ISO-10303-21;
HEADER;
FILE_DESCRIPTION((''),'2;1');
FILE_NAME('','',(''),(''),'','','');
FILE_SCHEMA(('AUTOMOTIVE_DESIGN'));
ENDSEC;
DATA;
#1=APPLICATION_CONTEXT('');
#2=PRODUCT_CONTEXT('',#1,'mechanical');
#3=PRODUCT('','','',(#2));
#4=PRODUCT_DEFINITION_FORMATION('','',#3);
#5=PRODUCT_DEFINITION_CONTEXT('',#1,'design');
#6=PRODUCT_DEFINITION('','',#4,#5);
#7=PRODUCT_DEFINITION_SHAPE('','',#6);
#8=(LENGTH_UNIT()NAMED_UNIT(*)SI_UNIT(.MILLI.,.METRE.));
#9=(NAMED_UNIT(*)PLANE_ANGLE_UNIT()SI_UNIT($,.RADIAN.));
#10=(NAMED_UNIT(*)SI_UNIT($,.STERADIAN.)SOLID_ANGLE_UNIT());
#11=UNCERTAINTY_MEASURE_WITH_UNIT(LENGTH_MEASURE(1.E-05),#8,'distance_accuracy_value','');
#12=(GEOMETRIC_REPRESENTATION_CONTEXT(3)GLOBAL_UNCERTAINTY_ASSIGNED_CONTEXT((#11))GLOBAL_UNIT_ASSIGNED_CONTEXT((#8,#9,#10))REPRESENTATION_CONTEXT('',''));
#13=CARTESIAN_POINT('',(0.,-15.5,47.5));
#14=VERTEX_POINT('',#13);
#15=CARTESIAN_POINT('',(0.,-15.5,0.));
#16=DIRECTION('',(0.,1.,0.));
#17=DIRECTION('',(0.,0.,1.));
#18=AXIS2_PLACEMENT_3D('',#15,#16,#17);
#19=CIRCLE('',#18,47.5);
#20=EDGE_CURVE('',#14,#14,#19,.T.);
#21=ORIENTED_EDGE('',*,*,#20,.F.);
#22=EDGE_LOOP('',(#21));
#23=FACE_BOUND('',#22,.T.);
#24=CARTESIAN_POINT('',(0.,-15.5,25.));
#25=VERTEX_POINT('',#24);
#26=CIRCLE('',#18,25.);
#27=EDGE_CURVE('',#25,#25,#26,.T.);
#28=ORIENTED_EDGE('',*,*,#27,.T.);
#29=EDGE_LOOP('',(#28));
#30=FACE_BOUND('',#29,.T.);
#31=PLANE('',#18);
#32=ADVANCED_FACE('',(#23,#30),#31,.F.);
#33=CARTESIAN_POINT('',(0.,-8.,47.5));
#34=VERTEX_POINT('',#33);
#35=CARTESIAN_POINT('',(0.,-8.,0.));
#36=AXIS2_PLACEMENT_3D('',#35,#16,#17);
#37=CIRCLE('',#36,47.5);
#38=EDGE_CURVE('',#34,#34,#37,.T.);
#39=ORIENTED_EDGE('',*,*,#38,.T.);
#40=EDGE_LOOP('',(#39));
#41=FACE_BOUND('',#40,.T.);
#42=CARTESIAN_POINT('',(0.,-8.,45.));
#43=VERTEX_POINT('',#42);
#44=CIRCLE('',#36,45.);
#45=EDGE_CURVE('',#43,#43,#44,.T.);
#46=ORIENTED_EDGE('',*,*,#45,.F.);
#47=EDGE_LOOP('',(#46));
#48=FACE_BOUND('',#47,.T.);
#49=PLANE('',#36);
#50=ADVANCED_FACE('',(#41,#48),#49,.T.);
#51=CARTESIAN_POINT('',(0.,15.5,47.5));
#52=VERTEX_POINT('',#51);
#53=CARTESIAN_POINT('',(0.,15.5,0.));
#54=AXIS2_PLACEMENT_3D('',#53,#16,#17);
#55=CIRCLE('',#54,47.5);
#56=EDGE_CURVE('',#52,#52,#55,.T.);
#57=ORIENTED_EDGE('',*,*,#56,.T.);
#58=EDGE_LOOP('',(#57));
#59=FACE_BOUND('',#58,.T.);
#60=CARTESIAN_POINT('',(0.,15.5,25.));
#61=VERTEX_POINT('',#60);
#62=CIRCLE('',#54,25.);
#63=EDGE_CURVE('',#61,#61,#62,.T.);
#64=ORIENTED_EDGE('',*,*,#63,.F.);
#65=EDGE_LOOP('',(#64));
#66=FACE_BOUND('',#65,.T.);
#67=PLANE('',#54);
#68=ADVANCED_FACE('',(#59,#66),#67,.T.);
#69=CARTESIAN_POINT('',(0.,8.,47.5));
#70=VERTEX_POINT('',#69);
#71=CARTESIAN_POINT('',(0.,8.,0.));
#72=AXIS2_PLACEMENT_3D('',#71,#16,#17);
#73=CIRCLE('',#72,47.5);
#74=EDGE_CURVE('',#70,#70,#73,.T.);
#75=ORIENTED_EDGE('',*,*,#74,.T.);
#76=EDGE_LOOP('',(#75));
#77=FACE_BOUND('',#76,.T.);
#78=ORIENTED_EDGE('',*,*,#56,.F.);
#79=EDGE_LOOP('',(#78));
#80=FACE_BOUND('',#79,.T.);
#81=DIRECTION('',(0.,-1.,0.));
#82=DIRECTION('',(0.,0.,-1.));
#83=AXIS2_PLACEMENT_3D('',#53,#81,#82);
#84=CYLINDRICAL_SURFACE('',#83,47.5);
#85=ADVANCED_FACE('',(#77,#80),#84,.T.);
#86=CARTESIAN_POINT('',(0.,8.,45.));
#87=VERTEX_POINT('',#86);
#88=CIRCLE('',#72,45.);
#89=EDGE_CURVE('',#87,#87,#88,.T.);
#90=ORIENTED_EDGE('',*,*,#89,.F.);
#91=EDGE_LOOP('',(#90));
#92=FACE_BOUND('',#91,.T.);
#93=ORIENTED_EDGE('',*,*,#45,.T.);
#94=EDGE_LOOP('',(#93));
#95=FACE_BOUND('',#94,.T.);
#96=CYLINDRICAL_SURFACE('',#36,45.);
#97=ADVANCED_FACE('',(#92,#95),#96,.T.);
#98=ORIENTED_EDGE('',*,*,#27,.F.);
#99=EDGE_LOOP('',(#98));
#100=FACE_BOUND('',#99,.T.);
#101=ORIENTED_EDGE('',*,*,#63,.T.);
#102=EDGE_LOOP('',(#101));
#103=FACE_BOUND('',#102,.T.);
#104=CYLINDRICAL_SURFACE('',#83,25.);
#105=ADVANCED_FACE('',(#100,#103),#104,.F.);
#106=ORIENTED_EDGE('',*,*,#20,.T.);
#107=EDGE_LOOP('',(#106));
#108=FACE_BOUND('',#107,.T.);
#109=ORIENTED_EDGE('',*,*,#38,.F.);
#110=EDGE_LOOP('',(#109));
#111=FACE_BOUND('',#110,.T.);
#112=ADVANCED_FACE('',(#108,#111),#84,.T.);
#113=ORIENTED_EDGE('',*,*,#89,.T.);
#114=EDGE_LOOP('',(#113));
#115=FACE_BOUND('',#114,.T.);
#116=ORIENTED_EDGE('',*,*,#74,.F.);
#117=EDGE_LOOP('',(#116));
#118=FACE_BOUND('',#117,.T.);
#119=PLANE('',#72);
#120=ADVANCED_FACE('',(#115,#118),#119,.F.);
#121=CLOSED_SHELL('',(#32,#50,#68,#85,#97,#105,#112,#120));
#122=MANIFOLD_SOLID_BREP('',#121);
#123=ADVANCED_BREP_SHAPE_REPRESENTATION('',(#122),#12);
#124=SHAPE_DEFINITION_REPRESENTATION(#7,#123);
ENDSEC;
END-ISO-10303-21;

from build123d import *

# Parameters (mm, degrees)
SKETCH1_R           = 47.5
SKETCH1_R_2         = 25
BOSS_EXTRUDE1_DEPTH = 15.5
SKETCH3_R           = 47.5
SKETCH3_R_2         = 45
CUT_EXTRUDE1_DEPTH  = 8


with BuildPart() as part:
    # Sketch1 → Boss-Extrude1 (new, symmetric)
    with BuildSketch(Plane(origin=(0, 0, 0), x_dir=(1, 0, 0), z_dir=(0, 1, 0))):
        with Locations(Location((0, 0, 0), (0, 0, 270))):
            Circle(SKETCH1_R)
        with Locations(Location((0, 0, 0), (0, 0, 270))):
            Circle(SKETCH1_R_2, mode=Mode.SUBTRACT)
    extrude(amount=BOSS_EXTRUDE1_DEPTH, both=True)

    # Sketch3 → Cut-Extrude1 (cut, symmetric)
    with BuildSketch(Plane(origin=(0, 0, 0), x_dir=(1, 0, 0), z_dir=(0, 1, 0))):
        with Locations(Location((0, 0, 0), (0, 0, 270))):
            Circle(SKETCH3_R)
        with Locations(Location((0, 0, 0), (0, 0, 270))):
            Circle(SKETCH3_R_2, mode=Mode.SUBTRACT)
    extrude(amount=CUT_EXTRUDE1_DEPTH, both=True, mode=Mode.SUBTRACT)


solid = part.part
